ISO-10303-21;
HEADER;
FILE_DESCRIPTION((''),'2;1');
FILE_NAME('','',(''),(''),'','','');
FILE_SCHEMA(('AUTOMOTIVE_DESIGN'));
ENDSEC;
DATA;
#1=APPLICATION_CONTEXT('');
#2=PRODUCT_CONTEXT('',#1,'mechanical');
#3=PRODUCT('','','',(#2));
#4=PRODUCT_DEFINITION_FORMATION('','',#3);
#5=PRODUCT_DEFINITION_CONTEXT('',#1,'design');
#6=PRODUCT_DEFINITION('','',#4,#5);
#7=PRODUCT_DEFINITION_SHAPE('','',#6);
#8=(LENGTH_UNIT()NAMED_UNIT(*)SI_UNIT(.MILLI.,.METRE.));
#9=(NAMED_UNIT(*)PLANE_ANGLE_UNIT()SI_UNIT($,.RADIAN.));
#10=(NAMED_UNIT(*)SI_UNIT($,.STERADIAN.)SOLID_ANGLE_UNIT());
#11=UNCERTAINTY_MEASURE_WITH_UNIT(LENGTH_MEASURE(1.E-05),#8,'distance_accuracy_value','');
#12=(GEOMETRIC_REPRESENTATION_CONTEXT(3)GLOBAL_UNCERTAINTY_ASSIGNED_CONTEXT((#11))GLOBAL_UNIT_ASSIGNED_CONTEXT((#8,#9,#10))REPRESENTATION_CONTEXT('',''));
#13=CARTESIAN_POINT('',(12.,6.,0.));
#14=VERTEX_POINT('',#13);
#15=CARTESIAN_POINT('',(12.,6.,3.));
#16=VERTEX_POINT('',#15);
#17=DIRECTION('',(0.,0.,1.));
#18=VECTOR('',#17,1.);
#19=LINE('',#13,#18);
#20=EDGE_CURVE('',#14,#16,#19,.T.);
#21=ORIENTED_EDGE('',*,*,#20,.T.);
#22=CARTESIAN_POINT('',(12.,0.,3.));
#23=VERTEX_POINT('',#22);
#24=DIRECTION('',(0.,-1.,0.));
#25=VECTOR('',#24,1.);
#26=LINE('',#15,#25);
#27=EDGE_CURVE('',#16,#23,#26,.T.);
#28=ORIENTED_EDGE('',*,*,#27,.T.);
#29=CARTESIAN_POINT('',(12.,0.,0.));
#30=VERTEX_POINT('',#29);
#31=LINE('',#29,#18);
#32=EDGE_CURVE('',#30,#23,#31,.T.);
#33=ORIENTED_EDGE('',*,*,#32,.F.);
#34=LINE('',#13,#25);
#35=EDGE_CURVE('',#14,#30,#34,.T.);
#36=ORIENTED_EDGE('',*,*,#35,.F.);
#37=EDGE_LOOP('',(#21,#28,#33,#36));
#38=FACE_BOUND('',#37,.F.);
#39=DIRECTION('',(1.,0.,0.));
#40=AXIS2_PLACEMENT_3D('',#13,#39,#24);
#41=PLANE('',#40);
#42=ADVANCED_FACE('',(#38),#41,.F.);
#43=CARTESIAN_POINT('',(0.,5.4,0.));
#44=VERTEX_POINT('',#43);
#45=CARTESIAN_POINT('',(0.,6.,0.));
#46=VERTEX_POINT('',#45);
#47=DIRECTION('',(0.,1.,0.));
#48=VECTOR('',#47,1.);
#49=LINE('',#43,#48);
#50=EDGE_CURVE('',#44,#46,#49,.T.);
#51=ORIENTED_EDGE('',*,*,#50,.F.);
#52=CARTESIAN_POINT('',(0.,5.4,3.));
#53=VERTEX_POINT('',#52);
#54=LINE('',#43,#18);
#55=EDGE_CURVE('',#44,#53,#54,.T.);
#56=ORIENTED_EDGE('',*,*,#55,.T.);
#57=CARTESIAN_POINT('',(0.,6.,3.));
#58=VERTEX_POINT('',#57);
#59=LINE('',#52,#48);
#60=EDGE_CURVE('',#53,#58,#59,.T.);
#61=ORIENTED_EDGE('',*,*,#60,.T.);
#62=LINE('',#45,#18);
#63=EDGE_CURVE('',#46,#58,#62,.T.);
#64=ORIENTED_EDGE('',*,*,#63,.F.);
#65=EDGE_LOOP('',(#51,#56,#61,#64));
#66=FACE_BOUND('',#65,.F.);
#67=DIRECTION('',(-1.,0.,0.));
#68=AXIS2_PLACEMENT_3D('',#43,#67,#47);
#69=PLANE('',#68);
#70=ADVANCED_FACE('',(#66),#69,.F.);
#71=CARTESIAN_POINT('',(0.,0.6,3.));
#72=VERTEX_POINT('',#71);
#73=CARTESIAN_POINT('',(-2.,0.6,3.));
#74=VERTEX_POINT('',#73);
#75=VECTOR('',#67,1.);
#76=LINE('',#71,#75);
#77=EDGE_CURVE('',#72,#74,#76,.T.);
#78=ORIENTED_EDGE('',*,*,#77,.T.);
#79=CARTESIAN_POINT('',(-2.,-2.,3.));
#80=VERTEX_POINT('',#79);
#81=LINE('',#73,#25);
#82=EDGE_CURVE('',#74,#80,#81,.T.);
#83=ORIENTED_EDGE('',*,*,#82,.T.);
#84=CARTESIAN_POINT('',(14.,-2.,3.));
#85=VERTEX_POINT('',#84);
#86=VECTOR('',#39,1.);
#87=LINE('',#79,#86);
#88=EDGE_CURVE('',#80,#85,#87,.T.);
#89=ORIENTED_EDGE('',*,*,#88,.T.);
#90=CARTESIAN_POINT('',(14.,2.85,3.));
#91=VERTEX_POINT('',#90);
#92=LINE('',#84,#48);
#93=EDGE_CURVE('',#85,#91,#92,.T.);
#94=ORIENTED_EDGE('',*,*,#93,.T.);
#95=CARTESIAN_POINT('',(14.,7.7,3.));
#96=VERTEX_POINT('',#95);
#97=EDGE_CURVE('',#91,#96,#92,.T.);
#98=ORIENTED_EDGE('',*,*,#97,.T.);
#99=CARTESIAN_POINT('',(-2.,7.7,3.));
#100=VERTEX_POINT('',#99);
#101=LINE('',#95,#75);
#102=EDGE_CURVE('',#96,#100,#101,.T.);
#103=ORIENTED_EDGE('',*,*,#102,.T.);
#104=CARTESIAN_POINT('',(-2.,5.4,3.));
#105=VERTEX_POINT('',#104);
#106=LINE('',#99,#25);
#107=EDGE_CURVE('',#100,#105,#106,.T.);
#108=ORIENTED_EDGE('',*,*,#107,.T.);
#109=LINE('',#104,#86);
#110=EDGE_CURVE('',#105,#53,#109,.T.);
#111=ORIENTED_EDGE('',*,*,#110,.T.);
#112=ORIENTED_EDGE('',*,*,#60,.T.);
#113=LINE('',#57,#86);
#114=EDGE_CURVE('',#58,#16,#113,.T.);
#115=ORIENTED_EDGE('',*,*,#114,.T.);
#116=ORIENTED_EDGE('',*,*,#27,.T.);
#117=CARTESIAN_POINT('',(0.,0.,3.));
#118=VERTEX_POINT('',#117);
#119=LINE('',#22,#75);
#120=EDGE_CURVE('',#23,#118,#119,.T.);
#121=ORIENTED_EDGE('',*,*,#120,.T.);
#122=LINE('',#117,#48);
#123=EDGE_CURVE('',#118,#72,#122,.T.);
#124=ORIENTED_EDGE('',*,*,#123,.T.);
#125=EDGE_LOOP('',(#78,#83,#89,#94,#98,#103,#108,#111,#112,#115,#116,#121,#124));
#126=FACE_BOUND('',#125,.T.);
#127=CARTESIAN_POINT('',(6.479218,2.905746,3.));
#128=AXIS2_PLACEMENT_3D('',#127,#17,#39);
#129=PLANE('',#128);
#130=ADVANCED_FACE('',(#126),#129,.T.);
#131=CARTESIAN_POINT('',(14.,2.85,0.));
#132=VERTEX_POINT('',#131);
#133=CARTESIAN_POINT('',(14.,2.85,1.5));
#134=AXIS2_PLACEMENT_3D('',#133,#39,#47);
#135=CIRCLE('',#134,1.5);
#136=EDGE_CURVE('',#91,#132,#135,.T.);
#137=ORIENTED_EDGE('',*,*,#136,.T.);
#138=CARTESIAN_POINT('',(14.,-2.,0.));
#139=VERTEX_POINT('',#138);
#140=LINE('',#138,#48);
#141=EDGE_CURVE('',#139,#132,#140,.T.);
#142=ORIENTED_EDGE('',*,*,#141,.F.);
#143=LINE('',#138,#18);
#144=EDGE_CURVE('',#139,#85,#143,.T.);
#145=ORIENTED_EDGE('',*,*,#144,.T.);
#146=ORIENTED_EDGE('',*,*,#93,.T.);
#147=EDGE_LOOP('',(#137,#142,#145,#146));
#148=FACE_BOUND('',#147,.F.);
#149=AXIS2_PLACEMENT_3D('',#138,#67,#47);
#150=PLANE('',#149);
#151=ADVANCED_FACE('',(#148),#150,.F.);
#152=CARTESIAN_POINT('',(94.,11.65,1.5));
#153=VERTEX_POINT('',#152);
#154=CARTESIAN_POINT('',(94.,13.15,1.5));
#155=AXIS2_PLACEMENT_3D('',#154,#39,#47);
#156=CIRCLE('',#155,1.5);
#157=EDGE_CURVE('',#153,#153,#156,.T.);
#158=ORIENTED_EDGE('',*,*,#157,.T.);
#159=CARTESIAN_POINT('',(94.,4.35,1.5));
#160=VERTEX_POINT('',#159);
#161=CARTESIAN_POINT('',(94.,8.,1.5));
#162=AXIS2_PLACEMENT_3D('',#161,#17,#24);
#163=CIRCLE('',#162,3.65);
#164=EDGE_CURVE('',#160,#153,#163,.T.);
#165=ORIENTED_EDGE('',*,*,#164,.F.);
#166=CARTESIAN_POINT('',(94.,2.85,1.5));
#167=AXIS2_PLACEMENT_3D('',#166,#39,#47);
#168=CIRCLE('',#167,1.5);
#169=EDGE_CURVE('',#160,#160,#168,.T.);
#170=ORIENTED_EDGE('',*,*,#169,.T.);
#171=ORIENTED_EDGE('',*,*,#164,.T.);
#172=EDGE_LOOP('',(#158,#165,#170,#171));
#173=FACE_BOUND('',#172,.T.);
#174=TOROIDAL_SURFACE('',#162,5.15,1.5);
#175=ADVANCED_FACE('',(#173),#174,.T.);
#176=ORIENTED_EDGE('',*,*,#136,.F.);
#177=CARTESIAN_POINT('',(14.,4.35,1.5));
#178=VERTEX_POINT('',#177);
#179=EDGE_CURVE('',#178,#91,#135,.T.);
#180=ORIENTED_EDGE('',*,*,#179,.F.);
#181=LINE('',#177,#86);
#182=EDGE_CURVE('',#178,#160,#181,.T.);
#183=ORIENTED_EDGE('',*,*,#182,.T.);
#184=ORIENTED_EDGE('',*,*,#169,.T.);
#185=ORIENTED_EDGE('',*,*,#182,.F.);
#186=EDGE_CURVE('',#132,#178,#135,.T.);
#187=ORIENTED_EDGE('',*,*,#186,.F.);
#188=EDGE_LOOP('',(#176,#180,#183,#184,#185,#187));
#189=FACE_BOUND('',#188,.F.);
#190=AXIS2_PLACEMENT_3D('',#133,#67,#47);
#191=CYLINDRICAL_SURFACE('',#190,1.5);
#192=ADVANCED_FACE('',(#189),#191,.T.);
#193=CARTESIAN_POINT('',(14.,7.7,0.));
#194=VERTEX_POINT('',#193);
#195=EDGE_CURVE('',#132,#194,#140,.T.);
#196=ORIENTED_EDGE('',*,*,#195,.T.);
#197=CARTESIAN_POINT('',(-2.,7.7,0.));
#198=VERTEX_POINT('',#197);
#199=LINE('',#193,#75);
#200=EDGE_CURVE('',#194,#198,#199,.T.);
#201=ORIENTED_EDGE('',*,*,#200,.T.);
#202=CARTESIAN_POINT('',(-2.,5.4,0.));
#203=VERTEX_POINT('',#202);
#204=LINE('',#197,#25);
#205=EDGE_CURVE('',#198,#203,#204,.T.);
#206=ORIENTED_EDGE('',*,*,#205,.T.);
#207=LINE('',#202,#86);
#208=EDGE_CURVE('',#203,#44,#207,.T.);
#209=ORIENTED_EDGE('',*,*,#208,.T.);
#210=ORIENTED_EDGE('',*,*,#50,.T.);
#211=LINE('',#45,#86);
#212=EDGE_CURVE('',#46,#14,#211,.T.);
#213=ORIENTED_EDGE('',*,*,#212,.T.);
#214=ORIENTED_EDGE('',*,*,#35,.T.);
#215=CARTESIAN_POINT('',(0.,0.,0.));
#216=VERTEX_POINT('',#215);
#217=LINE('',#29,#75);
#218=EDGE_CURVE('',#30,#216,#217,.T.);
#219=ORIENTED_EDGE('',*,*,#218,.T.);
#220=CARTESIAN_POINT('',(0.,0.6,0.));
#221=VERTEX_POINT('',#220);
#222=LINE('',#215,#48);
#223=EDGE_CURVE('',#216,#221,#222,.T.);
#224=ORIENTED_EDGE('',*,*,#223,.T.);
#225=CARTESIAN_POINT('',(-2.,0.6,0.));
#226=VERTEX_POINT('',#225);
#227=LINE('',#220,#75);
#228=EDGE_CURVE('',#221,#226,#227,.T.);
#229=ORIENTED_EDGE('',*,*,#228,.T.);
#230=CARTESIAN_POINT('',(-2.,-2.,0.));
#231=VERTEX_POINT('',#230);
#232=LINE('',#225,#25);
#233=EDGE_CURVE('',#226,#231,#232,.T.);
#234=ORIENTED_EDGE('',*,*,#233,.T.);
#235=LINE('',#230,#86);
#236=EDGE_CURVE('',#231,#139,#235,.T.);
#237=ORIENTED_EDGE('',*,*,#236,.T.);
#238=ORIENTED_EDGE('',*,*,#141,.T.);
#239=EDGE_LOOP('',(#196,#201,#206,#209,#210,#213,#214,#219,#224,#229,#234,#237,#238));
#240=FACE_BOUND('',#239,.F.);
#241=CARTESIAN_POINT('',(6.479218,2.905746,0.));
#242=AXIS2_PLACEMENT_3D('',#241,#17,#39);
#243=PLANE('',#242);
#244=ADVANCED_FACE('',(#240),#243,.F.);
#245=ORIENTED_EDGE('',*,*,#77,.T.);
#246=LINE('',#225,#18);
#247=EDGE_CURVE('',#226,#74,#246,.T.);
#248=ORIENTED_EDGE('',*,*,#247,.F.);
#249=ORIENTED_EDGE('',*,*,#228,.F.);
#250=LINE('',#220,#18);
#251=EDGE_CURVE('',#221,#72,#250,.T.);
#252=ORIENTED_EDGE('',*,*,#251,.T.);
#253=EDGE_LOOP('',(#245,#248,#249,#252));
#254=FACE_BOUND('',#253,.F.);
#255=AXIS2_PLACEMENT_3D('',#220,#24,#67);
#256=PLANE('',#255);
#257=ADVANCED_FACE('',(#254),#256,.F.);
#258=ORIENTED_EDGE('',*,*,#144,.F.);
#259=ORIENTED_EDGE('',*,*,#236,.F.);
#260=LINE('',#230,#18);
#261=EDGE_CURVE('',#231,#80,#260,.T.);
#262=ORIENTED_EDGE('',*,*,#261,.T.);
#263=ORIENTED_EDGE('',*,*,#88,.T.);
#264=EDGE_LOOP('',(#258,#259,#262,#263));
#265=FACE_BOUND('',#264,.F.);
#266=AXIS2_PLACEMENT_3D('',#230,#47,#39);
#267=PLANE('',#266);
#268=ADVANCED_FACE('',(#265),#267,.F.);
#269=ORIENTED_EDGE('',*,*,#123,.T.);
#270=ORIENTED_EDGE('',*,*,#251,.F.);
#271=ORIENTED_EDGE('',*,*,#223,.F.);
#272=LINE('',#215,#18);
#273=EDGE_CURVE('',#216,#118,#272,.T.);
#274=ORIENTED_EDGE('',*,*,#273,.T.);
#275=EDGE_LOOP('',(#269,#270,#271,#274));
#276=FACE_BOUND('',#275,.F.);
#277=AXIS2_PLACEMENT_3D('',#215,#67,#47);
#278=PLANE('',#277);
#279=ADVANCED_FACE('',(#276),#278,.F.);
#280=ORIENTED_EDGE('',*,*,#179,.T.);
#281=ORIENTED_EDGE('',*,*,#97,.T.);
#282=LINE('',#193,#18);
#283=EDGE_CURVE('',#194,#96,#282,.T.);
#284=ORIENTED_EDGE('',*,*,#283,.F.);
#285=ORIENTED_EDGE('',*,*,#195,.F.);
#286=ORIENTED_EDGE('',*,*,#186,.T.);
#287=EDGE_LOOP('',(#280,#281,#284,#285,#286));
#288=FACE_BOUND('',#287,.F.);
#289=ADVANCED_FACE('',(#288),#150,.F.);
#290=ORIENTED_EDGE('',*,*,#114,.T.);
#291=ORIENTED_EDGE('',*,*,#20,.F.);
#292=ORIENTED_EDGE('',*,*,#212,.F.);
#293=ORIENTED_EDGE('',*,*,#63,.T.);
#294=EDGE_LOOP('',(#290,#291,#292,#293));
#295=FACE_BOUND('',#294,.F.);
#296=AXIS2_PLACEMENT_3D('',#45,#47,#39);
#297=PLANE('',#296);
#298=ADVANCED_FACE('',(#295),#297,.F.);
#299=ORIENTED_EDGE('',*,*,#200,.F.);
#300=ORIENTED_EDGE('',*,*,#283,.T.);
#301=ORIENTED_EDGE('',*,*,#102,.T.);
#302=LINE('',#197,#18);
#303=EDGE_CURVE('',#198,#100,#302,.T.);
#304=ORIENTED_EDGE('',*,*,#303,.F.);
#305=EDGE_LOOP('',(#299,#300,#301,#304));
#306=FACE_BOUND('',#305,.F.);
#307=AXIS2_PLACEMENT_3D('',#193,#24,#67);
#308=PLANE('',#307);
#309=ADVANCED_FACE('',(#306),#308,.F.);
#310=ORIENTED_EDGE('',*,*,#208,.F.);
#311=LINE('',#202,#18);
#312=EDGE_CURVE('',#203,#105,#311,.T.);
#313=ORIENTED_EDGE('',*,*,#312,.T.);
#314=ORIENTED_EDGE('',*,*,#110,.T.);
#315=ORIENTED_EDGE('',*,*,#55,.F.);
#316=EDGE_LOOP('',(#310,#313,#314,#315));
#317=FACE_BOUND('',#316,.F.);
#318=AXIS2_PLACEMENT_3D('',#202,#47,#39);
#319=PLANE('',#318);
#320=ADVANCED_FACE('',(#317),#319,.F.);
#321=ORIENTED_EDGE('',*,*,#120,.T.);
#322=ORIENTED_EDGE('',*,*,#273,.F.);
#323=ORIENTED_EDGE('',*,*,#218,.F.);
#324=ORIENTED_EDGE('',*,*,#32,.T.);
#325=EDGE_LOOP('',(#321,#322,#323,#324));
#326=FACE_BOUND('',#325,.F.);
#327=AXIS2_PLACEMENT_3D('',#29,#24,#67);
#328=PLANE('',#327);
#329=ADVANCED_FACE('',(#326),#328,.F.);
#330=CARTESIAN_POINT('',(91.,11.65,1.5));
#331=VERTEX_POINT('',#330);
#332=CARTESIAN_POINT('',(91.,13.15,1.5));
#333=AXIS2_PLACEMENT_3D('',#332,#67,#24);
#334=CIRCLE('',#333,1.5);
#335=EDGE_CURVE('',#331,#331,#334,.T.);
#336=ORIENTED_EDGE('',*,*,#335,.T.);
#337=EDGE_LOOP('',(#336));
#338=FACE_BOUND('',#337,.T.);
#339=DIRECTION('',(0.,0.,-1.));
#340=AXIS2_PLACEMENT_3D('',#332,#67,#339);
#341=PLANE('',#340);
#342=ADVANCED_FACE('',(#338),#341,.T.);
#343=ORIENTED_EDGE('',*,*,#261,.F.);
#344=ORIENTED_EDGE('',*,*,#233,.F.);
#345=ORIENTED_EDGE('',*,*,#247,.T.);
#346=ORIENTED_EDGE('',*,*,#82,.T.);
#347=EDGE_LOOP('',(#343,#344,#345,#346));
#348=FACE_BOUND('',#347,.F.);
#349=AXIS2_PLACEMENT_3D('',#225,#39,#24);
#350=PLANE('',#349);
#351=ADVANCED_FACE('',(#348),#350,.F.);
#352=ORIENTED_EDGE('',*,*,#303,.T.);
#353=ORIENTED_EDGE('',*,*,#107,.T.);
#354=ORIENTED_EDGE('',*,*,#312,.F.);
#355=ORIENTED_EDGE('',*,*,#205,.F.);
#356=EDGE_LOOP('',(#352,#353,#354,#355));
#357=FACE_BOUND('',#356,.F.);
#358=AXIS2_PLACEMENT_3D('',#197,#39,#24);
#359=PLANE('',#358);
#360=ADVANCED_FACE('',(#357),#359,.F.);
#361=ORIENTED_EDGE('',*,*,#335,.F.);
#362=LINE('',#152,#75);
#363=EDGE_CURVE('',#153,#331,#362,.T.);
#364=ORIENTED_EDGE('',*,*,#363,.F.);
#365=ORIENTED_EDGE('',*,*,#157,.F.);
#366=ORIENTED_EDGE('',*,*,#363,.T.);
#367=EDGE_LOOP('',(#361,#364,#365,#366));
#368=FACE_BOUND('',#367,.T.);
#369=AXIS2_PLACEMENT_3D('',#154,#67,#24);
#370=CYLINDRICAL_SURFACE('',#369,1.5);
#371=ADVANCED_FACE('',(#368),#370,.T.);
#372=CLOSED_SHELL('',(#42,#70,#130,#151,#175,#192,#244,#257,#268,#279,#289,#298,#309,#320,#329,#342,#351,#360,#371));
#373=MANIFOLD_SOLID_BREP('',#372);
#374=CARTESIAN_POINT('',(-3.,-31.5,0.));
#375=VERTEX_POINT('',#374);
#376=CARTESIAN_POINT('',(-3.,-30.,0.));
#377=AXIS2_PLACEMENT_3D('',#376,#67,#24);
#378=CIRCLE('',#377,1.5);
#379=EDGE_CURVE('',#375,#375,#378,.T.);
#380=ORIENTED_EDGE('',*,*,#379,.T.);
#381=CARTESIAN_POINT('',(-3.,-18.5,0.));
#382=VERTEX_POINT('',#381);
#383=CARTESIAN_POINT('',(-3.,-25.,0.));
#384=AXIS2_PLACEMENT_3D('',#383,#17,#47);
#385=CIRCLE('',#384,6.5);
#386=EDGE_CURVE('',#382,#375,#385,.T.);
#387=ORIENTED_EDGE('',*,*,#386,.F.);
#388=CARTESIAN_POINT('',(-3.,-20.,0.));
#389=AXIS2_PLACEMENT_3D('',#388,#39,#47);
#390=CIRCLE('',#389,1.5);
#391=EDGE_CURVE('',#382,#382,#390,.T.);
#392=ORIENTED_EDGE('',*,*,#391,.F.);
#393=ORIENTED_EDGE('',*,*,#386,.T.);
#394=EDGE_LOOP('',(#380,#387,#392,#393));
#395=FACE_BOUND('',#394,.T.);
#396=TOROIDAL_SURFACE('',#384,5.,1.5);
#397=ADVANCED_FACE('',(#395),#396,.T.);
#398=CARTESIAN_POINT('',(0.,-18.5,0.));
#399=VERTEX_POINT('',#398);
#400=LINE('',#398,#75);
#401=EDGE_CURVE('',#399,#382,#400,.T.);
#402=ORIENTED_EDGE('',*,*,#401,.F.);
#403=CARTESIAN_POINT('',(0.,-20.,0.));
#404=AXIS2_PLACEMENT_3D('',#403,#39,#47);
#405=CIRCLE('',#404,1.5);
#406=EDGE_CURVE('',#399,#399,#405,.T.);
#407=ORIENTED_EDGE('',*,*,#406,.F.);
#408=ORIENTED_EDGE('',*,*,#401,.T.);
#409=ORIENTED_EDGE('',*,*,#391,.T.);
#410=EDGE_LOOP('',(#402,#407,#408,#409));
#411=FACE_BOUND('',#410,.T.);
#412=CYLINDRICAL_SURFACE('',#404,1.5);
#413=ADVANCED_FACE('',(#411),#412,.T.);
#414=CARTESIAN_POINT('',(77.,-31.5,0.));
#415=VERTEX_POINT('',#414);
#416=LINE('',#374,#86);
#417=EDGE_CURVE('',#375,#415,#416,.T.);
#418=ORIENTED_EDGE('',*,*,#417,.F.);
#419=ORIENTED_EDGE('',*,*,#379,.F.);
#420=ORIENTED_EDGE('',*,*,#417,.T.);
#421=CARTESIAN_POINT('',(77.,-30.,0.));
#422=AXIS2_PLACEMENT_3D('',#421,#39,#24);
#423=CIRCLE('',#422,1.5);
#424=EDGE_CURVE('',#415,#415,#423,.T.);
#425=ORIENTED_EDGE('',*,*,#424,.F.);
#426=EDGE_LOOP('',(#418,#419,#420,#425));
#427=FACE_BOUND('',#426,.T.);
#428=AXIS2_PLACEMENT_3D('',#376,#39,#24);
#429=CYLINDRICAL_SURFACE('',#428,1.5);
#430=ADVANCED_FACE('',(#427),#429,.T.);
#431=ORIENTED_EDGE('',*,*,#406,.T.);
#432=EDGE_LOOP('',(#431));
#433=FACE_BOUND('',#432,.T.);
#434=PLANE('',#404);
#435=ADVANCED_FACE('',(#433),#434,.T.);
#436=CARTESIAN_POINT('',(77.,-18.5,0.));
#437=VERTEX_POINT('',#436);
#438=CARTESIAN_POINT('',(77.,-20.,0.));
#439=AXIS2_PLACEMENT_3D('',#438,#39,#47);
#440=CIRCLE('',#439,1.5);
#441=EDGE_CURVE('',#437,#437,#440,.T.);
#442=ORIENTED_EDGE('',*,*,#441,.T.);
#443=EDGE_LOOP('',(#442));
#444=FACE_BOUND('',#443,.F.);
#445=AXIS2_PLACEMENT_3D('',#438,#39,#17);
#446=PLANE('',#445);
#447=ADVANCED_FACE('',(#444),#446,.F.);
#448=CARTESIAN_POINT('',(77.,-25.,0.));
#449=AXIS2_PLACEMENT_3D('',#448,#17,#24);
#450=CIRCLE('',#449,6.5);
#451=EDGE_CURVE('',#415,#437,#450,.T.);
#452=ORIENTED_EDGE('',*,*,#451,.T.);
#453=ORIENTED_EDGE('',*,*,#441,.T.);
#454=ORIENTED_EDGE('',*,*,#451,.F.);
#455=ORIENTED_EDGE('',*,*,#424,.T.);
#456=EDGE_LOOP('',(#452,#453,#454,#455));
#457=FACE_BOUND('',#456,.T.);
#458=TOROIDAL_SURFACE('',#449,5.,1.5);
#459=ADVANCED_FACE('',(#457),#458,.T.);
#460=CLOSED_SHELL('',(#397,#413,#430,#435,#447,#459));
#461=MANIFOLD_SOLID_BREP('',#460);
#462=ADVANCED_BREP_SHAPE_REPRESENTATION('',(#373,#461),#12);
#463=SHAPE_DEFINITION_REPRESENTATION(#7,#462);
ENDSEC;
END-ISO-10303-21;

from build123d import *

# Parameters (mm, degrees)
F1_DEPTH  = 3
F2_R      = 1.5
F3_DEPTH  = 80
F4_R      = 1.5
F9_R      = 1.5
F10_DEPTH = 3


with BuildPart() as f1:
    # F0 (on Top) → F1 (new body)
    with BuildSketch(Plane.XY):
        Polygon((12, 0), (0, 0), (0, 0.6), (-2, 0.6), (-2, -2), (14, -2), (14, 7.7), (-2, 7.7), (-2, 5.4), (0, 5.4), (0, 6), (12, 6), align=None)
    extrude(amount=F1_DEPTH)

    # F2 (on face) → F3 (join)
    with BuildSketch(Plane.YZ.offset(14)):
        with Locations((2.85, 1.5)):
            Circle(F2_R)
    extrude(amount=F3_DEPTH)

    # F7: sweep along a path in F6
    with BuildLine(Plane.XY.offset(1.5)) as f7_path:
        ThreePointArc((94, 3), (99, 8), (94, 13))
        Line((94, 13), (91, 13))
    # F4 (on face) → F7 (sweep)
    with BuildSketch(Plane.YZ.offset(94)):
        with Locations((2.85, 1.5)):
            Circle(F4_R)
    sweep(path=f7_path.line)


with BuildPart() as f10:
    # F9 (on Right) → F10 (new body)
    with BuildSketch(Plane.YZ):
        with Locations((-20, 0)):
            Circle(F9_R)
    extrude(amount=-F10_DEPTH)

    # F11: sweep along a path in F8
    with BuildLine(Plane.XY) as f11_path:
        Line((0, -20), (-3, -20))
        ThreePointArc((-3, -20), (-8, -25), (-3, -30))
        Line((-3, -30), (77, -30))
        ThreePointArc((77, -30), (82, -25), (77, -20))
    # F9 (on Right) → F11 (sweep)
    with BuildSketch(Plane.YZ):
        with Locations((-20, 0)):
            Circle(F9_R)
    sweep(path=f11_path.line)


solid = Compound([f1.part, f10.part])
